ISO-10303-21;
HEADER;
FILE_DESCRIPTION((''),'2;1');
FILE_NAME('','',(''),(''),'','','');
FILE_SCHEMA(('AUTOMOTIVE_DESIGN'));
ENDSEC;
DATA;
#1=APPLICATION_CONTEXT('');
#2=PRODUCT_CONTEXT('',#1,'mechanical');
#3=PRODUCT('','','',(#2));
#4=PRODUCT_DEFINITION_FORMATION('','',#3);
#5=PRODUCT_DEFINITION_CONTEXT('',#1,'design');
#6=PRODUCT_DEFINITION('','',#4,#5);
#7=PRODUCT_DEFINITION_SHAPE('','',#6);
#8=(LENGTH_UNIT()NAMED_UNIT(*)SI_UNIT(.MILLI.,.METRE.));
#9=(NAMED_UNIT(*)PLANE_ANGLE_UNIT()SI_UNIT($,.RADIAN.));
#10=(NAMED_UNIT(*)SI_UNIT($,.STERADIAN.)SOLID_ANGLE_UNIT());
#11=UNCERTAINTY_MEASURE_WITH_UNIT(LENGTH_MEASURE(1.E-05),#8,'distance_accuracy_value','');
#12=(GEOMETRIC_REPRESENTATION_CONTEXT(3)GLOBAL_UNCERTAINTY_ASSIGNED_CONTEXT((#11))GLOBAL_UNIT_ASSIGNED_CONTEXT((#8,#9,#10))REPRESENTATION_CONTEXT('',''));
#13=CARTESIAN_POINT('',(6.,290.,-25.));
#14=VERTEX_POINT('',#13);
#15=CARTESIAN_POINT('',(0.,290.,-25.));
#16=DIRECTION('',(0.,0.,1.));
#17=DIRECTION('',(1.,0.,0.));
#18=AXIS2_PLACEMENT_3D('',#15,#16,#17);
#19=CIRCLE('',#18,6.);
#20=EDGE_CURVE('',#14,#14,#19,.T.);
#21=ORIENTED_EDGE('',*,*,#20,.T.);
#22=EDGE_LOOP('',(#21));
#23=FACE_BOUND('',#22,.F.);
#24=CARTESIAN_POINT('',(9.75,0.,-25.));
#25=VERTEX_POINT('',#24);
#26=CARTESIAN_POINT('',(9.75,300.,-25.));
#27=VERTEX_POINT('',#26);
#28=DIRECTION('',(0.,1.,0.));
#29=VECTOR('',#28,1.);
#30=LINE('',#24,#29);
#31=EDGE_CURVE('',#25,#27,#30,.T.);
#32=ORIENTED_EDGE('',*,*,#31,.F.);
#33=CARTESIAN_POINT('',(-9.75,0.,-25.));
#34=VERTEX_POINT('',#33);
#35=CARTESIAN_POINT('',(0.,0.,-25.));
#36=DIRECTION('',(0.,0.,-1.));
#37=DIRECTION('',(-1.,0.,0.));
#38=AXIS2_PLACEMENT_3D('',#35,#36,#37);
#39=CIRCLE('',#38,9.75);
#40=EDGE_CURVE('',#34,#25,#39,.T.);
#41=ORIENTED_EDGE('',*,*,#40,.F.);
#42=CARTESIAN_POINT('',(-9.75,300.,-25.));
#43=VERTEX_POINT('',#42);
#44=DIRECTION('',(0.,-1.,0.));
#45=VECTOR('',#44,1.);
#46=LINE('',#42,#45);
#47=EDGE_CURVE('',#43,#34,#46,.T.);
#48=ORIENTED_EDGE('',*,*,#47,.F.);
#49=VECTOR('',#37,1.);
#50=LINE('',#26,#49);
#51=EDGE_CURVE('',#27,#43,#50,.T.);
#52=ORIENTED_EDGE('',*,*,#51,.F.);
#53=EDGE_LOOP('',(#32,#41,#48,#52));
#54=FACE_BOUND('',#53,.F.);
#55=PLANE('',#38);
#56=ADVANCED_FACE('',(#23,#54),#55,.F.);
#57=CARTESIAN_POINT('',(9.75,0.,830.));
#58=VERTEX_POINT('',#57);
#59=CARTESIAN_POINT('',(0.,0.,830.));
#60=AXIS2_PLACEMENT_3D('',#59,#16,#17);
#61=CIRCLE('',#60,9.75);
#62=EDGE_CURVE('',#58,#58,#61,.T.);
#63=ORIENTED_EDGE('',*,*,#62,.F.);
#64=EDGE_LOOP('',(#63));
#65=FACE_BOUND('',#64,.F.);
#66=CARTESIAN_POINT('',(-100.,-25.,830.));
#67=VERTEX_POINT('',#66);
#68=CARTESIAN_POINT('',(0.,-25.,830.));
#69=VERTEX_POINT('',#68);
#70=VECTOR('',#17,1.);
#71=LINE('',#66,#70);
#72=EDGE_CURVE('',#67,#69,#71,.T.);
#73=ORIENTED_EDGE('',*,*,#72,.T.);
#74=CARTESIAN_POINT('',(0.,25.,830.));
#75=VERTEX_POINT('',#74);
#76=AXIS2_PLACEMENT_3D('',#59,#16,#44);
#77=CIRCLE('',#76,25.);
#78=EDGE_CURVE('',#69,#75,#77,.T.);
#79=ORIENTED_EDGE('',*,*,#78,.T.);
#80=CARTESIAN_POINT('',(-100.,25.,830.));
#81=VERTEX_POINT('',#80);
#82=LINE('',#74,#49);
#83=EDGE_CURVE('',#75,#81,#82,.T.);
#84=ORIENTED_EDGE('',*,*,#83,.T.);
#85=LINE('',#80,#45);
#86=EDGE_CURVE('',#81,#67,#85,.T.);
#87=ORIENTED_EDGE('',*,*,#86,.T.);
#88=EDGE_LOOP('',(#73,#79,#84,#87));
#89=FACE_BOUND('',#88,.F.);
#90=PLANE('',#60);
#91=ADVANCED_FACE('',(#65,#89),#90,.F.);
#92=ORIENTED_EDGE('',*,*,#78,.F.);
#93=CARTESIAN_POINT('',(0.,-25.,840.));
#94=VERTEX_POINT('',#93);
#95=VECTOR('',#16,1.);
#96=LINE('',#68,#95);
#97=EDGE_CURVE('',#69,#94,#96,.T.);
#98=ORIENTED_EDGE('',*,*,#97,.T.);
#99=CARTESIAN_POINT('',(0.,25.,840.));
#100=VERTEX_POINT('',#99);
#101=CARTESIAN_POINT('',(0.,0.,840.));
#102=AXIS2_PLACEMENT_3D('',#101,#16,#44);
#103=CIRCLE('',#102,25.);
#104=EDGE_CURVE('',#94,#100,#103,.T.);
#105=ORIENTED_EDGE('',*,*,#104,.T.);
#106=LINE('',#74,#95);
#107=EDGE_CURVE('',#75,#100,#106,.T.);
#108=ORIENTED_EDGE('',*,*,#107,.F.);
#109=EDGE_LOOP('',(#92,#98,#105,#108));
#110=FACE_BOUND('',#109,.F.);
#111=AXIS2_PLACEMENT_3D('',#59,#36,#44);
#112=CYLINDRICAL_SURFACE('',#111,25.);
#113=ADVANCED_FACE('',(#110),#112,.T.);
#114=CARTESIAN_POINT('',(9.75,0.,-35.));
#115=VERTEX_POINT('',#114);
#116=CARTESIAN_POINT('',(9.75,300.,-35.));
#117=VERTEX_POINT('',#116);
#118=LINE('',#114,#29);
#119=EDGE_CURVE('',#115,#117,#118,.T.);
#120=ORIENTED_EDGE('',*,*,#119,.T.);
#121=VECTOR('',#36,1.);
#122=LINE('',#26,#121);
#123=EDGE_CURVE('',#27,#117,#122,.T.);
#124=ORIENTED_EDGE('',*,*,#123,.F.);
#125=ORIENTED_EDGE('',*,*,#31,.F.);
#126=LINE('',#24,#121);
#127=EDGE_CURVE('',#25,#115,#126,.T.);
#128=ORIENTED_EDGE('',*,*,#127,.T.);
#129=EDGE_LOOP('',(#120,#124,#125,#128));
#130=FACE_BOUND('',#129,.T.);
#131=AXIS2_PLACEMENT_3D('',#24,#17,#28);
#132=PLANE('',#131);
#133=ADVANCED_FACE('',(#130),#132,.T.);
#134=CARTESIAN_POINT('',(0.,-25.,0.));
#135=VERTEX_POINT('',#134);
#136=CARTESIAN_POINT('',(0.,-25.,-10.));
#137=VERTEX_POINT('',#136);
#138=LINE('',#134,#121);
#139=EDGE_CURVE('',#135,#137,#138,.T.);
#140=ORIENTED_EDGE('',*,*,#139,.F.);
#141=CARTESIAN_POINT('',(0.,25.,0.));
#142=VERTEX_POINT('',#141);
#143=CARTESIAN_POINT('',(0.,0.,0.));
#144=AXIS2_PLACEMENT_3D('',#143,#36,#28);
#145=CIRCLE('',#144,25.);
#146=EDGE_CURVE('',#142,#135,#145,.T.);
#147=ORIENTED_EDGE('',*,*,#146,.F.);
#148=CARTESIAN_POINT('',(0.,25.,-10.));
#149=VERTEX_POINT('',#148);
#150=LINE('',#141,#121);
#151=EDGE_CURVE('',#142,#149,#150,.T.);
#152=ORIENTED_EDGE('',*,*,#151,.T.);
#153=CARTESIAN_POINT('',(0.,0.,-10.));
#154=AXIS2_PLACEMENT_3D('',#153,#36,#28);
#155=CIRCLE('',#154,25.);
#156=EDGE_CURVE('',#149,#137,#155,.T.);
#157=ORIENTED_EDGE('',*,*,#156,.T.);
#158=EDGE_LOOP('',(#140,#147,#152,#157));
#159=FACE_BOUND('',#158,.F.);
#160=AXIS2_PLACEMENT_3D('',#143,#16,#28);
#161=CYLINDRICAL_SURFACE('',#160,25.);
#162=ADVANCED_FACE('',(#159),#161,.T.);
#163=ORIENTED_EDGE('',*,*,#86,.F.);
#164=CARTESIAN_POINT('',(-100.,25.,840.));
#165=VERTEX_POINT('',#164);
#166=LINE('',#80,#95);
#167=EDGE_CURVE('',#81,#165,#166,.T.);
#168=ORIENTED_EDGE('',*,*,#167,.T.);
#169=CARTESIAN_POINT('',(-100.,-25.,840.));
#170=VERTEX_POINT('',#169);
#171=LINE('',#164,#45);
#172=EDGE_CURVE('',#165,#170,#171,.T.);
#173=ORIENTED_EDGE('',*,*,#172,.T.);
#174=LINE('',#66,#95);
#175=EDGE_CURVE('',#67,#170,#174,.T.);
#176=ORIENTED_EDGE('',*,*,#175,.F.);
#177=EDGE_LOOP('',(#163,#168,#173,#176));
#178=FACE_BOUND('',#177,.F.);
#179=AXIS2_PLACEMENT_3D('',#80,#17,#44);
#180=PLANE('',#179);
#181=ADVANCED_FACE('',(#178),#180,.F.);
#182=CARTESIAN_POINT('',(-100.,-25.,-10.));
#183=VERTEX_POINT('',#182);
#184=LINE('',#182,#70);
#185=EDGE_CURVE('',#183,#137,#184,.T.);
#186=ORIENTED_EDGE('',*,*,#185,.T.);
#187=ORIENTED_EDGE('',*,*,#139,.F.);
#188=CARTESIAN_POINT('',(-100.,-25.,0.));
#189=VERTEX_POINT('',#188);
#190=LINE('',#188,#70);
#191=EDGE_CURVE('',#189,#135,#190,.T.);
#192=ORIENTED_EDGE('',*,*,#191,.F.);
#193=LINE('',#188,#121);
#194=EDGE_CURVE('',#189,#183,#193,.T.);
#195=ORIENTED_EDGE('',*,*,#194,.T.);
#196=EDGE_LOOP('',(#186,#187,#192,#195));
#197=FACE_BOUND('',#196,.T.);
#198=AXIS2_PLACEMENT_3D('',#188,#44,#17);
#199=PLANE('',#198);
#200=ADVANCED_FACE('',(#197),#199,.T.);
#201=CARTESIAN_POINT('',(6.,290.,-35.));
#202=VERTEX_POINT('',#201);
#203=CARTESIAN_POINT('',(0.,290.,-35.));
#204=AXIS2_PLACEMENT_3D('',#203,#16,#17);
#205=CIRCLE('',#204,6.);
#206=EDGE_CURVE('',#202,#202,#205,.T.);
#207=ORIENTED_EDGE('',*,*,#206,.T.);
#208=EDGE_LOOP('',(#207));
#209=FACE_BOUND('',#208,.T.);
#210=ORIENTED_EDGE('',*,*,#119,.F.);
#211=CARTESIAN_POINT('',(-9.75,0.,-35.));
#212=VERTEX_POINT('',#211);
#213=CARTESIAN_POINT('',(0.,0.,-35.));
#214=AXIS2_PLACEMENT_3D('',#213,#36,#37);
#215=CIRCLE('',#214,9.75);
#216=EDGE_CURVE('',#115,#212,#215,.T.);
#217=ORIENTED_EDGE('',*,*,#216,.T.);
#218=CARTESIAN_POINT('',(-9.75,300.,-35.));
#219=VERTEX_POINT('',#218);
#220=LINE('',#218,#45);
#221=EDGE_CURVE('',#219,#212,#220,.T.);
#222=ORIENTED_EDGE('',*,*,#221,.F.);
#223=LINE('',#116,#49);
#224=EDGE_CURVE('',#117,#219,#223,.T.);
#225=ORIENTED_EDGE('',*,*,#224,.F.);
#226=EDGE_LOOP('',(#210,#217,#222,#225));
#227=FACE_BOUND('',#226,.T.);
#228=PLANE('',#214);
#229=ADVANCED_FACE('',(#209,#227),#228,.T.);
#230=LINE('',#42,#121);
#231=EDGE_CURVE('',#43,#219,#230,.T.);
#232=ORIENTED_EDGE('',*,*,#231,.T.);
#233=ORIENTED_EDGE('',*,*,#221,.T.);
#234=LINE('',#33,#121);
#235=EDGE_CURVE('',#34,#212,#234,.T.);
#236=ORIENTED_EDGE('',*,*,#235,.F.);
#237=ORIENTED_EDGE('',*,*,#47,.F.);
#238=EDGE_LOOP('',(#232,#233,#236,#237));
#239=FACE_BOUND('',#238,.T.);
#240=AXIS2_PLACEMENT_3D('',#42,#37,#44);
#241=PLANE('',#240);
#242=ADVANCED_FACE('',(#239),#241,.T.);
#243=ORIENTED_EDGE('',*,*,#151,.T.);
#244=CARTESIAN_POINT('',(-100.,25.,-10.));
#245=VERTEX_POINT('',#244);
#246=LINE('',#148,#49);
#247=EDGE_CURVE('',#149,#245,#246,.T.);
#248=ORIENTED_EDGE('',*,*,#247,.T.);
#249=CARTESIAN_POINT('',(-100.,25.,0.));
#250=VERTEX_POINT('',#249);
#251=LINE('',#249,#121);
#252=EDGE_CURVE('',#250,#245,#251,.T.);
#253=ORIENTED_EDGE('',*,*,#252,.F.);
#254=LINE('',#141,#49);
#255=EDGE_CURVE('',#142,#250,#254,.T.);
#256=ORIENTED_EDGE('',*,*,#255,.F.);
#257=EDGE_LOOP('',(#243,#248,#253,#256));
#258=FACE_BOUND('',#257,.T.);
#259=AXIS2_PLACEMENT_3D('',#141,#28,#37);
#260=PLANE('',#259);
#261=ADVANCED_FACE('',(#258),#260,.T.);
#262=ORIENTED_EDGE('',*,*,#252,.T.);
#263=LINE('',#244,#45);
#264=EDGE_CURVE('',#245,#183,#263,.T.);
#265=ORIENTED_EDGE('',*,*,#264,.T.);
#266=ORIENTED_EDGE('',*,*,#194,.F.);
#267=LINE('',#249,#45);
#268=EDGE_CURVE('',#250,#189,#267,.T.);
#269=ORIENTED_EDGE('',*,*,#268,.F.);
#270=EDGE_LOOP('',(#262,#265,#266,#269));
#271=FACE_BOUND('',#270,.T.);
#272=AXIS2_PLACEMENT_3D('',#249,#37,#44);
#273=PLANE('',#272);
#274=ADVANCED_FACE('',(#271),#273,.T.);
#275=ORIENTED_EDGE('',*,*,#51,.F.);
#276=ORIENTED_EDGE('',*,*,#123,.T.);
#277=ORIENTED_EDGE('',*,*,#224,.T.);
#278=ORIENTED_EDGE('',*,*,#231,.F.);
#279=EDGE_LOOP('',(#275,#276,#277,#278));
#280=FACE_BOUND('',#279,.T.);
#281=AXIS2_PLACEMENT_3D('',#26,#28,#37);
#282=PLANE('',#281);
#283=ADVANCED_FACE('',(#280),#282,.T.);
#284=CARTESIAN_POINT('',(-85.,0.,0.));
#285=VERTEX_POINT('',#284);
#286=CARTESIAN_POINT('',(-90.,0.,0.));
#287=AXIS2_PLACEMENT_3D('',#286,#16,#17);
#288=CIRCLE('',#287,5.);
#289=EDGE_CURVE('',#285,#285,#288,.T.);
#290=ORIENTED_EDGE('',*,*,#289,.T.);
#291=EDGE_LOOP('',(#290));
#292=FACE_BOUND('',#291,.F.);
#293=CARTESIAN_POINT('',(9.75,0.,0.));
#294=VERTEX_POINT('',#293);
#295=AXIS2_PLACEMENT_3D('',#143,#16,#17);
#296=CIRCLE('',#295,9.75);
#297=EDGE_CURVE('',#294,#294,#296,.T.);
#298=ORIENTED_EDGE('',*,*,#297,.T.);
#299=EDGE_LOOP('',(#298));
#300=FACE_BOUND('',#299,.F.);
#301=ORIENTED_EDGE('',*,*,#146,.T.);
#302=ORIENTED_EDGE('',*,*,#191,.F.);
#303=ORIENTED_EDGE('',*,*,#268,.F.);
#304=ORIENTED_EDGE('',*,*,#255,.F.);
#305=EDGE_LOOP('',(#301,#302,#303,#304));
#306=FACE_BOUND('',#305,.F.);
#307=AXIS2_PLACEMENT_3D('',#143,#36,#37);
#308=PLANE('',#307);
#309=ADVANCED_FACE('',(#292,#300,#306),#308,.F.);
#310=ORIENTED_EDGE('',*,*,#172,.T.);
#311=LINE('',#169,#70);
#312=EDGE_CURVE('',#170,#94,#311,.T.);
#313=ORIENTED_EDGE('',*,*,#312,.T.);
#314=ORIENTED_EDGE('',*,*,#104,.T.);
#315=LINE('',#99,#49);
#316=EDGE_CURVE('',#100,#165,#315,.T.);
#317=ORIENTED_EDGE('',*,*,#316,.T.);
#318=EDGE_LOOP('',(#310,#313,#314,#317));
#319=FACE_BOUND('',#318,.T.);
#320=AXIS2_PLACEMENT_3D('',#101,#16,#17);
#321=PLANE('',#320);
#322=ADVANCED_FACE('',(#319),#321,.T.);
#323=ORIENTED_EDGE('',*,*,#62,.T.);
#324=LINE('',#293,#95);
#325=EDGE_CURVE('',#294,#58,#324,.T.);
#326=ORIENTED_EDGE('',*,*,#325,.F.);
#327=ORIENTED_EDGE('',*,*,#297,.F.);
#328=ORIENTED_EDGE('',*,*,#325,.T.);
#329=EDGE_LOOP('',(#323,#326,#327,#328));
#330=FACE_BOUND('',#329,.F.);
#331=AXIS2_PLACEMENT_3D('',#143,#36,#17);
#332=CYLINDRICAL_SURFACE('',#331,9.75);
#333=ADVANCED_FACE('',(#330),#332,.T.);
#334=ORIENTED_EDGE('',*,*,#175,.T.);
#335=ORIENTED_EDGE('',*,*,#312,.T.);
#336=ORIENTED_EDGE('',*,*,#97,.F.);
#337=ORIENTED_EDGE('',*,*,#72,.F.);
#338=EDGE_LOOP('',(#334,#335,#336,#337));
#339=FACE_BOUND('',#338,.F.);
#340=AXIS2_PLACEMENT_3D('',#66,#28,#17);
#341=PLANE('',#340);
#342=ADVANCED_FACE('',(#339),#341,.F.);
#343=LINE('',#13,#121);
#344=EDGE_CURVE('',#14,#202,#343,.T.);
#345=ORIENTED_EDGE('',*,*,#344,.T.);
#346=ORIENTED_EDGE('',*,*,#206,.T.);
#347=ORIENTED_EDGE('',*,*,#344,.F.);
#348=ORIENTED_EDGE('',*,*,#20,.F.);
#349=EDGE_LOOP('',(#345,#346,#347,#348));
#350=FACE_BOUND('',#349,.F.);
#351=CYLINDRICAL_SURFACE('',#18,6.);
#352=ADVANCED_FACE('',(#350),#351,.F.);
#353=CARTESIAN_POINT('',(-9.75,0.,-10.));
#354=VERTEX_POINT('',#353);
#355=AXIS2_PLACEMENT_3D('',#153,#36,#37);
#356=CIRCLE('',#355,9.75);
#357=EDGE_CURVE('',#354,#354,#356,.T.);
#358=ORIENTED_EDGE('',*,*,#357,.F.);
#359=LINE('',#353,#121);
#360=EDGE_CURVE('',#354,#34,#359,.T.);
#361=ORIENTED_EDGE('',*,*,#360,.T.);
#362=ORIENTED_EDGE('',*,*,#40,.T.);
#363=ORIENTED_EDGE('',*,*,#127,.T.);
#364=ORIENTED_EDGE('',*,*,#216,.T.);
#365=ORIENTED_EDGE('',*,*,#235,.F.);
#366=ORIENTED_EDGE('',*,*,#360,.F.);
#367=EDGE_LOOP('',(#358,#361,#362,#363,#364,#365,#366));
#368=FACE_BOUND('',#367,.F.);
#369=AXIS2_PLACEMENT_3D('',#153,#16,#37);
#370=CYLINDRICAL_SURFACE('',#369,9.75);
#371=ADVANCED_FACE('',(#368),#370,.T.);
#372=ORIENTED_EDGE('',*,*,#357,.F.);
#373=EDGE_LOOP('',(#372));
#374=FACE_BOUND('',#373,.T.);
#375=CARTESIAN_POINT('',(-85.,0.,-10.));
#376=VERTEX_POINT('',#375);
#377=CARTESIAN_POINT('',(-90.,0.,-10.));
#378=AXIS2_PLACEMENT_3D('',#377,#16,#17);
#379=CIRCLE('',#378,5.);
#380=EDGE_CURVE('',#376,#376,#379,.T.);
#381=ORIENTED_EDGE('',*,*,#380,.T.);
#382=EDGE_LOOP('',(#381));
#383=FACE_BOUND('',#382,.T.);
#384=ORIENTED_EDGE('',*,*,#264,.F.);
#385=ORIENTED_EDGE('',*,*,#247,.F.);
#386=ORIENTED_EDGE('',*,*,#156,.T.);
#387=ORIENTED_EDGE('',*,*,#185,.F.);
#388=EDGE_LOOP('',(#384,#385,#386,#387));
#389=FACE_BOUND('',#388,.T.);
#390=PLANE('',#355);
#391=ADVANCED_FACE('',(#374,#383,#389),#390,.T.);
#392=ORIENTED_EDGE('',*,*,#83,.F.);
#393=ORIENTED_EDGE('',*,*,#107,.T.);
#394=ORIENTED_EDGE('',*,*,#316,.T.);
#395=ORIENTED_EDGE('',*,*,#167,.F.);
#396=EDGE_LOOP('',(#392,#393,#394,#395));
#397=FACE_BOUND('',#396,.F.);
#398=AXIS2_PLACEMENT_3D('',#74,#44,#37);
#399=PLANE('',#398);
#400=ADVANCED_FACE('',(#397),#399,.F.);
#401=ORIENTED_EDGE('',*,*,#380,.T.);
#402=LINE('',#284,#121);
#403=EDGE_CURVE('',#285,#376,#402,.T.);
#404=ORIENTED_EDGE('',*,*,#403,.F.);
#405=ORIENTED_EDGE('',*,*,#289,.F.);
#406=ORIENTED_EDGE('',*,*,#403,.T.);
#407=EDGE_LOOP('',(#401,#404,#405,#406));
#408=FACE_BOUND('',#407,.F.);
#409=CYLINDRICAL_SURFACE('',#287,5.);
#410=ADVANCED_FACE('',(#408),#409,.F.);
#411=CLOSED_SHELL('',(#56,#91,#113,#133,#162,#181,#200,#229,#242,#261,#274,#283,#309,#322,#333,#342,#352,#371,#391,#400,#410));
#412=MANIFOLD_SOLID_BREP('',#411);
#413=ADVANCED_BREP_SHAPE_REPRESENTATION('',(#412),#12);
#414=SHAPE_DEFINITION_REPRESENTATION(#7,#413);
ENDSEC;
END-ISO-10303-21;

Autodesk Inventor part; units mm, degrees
ref_plane "YZ Plane" through (0, 0, 0) normal (1, 0, 0) x (0, 1, 0)
ref_plane "XZ Plane" through (0, 0, 0) normal (0, 1, 0) x (-1, 0, 0)
ref_plane "XY Plane" through (0, 0, 0) normal (0, 0, 1) x (1, 0, 0)
sketch "Skizze1" plane through (0, 0, 0) normal (0, 0, 1) x (1, 0, 0)
  circle A0 centre (0, 0) radius 9.75
  dimension "d0" = 19.5
extrude "Extrusion1" add sketch "Skizze1" along normal blind 830
sketch "Skizze4" plane through (0, 0, 830) normal (0, 0, 1) x (1, 0, 0)
  arc A0 (0, -25) -> (0, 25) centre (0, 0) ccw
  line L0 (0, 0) -> (0, -25) construction
  line L1 (0, 0) -> (0, 27.5151) construction
  line L2 (0, 25) -> (-100, 25)
  line L3 (-100, 25) -> (-100, -25)
  line L4 (-100, -25) -> (0, -25)
  point P0 (0, 25)
  dimension "d9" = 180
  dimension "d10" = 100
  dimension "d11" = 50
  dimension "d12" = 25
extrude "Extrusion4" add sketch "Skizze4" along normal blind 10
sketch "Skizze5" plane through (0, 0, 0) normal (0, 0, -1) x (-1, 0, 0)
  arc A0 (0, 25) -> (0, -25) centre (0, 0) ccw
  line L0 (0, 25) -> (100, 25)
  line L1 (100, 25) -> (100, -25)
  line L2 (100, -25) -> (0, -25)
  dimension "d15" = 25
  dimension "d16" = 0
  dimension "d17" = 0
  dimension "d18" = 100
  dimension "d19" = 50
  dimension "d20" = 90
extrude "Extrusion5" add sketch "Skizze5" along normal blind 10
sketch "Skizze6" plane through (0, 0, 0) normal (0, 0, 1) x (1, 0, 0)
  circle A0 centre (-90, 0) radius 5
  line L0 (-100, 25) -> (0, 25) projected
  line L1 (-100, -25) -> (-100, 25) projected
  point P0 (0, 0)
  dimension "d23" = 10
  dimension "d24" = 25
  dimension "d25" = 10
extrude "Extrusion6" cut sketch "Skizze6" against normal up to surface (10 mm away)
sketch "Skizze7" plane through (0, 0, -10) normal (0, 0, -1) x (-1, 0, 0)
  circle A0 centre (0, 0) radius 9.75
  dimension "d28" = 19.5
extrude "Extrusion7" add sketch "Skizze7" along normal blind 15
sketch "Skizze8" plane through (0, 0, -25) normal (0, 0, -1) x (-1, 0, 0)
  line L0 (9.75, 0) -> (-9.75, 0)
  line L1 (-9.75, 0) -> (-9.75, 300)
  line L2 (-9.75, 300) -> (9.75, 300)
  line L3 (9.75, 300) -> (9.75, 0)
  circle A0 centre (0, 0) radius 9.75
  circle A1 centre (0, 0) radius 9.75
  dimension "d31" = 300
  dimension "d32" = 19.5
  dimension "d33" = 9.75
  dimension "d34" = 0
  dimension "d35" = 19.5
extrude "Extrusion8" add sketch "Skizze8" along normal blind 10
sketch "Skizze9" plane through (0, 0, -25) normal (0, 0, 1) x (1, 0, 0)
  circle A0 centre (0, 290) radius 6
  line L0 (9.75, 300) -> (9.75, 0) projected
  line L1 (-9.75, 300) -> (9.75, 300) projected
  point P0 (0, 0)
  dimension "d38" = 12
  dimension "d39" = 9.75
  dimension "d40" = 10
extrude "Extrusion9" cut sketch "Skizze9" against normal up to surface (10 mm away)
properties part number "LenkungHinten"
